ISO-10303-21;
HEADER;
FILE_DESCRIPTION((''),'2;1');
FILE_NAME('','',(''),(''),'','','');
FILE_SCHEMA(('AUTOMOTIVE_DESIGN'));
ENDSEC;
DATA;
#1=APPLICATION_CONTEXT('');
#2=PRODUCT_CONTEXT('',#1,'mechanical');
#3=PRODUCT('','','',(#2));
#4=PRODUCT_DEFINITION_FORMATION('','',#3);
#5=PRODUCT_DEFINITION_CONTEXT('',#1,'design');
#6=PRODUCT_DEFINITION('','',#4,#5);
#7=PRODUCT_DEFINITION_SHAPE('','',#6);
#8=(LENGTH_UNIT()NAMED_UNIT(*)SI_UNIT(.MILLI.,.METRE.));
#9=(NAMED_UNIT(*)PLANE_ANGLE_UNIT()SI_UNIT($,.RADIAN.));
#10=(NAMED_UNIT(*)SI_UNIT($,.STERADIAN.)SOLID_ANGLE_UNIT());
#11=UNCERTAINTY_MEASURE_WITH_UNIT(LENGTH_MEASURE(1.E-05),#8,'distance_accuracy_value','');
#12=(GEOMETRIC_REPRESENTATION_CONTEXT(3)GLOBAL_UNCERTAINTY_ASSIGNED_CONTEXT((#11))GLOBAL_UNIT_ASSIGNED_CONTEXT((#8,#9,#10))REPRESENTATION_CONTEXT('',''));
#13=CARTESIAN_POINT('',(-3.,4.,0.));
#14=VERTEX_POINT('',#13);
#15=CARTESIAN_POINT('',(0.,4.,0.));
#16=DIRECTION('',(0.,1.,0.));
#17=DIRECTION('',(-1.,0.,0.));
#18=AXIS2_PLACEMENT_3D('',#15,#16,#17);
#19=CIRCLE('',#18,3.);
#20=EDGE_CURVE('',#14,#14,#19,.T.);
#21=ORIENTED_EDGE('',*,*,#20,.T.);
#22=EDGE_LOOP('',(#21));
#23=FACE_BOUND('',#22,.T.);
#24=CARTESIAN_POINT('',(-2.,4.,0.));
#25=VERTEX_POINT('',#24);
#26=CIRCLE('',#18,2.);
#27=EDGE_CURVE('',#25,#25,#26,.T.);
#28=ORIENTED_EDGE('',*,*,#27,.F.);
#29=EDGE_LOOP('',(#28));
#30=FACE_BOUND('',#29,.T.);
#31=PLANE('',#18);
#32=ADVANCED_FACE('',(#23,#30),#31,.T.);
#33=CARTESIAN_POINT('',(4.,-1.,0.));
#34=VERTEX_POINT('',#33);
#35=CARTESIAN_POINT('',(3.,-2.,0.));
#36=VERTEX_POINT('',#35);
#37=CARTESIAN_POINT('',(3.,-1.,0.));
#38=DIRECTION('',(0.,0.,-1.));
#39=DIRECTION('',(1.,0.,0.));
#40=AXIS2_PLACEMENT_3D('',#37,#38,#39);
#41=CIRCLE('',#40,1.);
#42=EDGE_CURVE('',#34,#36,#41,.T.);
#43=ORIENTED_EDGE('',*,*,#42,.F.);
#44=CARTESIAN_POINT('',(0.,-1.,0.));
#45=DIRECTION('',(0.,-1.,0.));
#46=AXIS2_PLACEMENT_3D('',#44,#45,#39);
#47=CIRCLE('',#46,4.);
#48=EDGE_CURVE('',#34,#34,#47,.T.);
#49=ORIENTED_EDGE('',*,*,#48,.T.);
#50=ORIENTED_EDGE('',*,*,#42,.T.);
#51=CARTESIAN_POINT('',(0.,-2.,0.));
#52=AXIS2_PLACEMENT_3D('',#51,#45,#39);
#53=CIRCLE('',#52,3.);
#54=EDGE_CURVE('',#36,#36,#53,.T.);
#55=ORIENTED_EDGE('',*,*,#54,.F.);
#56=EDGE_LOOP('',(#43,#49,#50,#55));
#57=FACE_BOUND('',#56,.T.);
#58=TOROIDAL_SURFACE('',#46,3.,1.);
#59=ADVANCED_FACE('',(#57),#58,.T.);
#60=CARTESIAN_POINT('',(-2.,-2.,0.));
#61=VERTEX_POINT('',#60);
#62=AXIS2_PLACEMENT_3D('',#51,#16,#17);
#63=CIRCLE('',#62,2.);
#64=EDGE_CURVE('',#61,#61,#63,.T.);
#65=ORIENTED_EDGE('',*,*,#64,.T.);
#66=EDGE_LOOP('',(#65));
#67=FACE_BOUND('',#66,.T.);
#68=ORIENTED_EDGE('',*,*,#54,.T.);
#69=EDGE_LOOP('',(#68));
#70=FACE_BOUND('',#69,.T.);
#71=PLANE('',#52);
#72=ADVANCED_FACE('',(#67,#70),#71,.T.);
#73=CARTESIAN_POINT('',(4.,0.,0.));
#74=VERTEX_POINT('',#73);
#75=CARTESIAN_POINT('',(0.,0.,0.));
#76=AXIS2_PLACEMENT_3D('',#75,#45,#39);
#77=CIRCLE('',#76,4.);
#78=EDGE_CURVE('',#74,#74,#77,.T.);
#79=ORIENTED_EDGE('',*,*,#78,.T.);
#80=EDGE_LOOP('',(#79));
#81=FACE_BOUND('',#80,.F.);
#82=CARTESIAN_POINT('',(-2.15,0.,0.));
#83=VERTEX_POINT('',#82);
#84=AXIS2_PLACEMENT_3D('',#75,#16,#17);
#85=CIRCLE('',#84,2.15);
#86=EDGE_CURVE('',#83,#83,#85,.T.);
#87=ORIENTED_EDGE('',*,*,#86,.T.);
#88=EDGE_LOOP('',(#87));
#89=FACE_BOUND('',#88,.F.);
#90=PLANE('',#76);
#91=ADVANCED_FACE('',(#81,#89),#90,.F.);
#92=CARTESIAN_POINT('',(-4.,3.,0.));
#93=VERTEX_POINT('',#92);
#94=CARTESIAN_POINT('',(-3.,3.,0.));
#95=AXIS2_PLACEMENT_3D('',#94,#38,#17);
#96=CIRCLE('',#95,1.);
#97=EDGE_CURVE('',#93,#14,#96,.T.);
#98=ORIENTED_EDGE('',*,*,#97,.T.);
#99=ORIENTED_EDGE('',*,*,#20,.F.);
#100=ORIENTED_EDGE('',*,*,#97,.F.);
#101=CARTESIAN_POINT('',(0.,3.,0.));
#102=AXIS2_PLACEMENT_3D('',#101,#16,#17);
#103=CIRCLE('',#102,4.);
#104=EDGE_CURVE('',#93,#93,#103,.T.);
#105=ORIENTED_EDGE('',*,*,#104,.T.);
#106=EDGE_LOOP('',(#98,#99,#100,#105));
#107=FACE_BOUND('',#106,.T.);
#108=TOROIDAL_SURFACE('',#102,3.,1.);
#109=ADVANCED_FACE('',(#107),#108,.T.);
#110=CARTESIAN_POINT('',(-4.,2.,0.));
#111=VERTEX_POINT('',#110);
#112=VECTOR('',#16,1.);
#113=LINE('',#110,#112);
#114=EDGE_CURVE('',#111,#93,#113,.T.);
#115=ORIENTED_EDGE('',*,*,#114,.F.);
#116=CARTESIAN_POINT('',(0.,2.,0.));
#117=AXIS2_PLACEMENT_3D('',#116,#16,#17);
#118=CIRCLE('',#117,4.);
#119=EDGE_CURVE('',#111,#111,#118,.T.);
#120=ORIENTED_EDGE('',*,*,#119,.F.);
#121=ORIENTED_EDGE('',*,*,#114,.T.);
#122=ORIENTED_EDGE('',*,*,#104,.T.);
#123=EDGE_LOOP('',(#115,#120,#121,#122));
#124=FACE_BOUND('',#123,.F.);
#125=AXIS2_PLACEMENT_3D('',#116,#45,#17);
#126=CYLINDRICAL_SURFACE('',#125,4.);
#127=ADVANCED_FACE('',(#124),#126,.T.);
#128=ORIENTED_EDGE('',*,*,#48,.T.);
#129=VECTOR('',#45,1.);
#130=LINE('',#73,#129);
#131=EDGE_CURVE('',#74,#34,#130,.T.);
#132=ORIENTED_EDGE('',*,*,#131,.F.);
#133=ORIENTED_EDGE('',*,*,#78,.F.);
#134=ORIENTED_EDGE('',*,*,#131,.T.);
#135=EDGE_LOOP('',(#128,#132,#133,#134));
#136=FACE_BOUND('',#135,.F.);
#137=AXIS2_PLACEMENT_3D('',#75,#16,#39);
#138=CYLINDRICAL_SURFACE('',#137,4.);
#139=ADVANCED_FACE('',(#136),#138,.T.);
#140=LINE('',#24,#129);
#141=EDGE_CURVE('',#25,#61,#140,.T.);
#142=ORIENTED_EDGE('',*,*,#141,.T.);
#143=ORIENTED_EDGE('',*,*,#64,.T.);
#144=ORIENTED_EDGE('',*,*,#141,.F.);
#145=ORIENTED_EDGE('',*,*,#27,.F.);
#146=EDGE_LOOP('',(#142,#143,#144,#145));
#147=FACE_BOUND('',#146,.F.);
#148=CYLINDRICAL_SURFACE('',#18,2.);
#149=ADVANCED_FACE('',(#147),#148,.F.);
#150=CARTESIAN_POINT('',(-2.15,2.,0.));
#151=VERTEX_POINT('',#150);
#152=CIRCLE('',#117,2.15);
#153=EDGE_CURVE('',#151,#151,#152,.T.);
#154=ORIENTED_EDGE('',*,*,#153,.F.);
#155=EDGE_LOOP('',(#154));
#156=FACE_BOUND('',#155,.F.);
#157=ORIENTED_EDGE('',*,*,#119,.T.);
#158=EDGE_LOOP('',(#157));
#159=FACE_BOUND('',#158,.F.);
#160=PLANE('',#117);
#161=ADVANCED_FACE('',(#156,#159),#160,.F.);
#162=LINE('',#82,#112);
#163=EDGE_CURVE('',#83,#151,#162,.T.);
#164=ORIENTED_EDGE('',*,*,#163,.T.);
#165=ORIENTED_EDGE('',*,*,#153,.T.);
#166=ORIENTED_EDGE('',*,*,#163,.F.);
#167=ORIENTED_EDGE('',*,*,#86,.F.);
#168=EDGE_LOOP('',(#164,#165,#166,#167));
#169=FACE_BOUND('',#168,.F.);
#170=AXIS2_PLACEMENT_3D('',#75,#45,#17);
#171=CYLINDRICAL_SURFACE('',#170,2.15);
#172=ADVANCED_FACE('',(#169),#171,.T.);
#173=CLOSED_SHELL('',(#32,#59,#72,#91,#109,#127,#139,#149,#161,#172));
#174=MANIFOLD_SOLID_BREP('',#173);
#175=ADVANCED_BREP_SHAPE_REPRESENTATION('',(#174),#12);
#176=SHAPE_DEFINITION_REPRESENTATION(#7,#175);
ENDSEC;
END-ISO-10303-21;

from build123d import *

# Parameters (mm, degrees)
F0_R     = 4
F1_DEPTH = 2
F2_R     = 1
F3_R     = 2.15
F4_DEPTH = 2
F5_R     = 4
F6_DEPTH = 2
F7_R     = 1
F8_R     = 2
F9_DEPTH = 6


with BuildPart() as f1:
    # F0 (on Front) → F1 (new body)
    with BuildSketch(Plane.XZ):
        Circle(F0_R)
    extrude(amount=F1_DEPTH)

    # F2
    f2_edges = [f1.edges().sort_by_distance(p)[0] for p in [
        (-4, -2, 0),
    ]]
    fillet(f2_edges, radius=F2_R)

    # F3 (on face) → F4 (join)
    with BuildSketch(Plane(origin=(0, 0, 0), x_dir=(-1, 0, 0), z_dir=(0, 1, 0))):
        Circle(F3_R)
    extrude(amount=F4_DEPTH)

    # F5 (on face) → F6 (join)
    with BuildSketch(Plane(origin=(0, 2, 0), x_dir=(-1, 0, 0), z_dir=(0, 1, 0))):
        Circle(F5_R)
    extrude(amount=F6_DEPTH)

    # F7
    f7_edges = [f1.edges().sort_by_distance(p)[0] for p in [
        (4, 4, 0),
    ]]
    fillet(f7_edges, radius=F7_R)

    # F8 (on face) → F9 (cut)
    with BuildSketch(Plane(origin=(0, 4, 0), x_dir=(-1, 0, 0), z_dir=(0, 1, 0))):
        Circle(F8_R)
    extrude(amount=-F9_DEPTH, mode=Mode.SUBTRACT)


solid = f1.part
